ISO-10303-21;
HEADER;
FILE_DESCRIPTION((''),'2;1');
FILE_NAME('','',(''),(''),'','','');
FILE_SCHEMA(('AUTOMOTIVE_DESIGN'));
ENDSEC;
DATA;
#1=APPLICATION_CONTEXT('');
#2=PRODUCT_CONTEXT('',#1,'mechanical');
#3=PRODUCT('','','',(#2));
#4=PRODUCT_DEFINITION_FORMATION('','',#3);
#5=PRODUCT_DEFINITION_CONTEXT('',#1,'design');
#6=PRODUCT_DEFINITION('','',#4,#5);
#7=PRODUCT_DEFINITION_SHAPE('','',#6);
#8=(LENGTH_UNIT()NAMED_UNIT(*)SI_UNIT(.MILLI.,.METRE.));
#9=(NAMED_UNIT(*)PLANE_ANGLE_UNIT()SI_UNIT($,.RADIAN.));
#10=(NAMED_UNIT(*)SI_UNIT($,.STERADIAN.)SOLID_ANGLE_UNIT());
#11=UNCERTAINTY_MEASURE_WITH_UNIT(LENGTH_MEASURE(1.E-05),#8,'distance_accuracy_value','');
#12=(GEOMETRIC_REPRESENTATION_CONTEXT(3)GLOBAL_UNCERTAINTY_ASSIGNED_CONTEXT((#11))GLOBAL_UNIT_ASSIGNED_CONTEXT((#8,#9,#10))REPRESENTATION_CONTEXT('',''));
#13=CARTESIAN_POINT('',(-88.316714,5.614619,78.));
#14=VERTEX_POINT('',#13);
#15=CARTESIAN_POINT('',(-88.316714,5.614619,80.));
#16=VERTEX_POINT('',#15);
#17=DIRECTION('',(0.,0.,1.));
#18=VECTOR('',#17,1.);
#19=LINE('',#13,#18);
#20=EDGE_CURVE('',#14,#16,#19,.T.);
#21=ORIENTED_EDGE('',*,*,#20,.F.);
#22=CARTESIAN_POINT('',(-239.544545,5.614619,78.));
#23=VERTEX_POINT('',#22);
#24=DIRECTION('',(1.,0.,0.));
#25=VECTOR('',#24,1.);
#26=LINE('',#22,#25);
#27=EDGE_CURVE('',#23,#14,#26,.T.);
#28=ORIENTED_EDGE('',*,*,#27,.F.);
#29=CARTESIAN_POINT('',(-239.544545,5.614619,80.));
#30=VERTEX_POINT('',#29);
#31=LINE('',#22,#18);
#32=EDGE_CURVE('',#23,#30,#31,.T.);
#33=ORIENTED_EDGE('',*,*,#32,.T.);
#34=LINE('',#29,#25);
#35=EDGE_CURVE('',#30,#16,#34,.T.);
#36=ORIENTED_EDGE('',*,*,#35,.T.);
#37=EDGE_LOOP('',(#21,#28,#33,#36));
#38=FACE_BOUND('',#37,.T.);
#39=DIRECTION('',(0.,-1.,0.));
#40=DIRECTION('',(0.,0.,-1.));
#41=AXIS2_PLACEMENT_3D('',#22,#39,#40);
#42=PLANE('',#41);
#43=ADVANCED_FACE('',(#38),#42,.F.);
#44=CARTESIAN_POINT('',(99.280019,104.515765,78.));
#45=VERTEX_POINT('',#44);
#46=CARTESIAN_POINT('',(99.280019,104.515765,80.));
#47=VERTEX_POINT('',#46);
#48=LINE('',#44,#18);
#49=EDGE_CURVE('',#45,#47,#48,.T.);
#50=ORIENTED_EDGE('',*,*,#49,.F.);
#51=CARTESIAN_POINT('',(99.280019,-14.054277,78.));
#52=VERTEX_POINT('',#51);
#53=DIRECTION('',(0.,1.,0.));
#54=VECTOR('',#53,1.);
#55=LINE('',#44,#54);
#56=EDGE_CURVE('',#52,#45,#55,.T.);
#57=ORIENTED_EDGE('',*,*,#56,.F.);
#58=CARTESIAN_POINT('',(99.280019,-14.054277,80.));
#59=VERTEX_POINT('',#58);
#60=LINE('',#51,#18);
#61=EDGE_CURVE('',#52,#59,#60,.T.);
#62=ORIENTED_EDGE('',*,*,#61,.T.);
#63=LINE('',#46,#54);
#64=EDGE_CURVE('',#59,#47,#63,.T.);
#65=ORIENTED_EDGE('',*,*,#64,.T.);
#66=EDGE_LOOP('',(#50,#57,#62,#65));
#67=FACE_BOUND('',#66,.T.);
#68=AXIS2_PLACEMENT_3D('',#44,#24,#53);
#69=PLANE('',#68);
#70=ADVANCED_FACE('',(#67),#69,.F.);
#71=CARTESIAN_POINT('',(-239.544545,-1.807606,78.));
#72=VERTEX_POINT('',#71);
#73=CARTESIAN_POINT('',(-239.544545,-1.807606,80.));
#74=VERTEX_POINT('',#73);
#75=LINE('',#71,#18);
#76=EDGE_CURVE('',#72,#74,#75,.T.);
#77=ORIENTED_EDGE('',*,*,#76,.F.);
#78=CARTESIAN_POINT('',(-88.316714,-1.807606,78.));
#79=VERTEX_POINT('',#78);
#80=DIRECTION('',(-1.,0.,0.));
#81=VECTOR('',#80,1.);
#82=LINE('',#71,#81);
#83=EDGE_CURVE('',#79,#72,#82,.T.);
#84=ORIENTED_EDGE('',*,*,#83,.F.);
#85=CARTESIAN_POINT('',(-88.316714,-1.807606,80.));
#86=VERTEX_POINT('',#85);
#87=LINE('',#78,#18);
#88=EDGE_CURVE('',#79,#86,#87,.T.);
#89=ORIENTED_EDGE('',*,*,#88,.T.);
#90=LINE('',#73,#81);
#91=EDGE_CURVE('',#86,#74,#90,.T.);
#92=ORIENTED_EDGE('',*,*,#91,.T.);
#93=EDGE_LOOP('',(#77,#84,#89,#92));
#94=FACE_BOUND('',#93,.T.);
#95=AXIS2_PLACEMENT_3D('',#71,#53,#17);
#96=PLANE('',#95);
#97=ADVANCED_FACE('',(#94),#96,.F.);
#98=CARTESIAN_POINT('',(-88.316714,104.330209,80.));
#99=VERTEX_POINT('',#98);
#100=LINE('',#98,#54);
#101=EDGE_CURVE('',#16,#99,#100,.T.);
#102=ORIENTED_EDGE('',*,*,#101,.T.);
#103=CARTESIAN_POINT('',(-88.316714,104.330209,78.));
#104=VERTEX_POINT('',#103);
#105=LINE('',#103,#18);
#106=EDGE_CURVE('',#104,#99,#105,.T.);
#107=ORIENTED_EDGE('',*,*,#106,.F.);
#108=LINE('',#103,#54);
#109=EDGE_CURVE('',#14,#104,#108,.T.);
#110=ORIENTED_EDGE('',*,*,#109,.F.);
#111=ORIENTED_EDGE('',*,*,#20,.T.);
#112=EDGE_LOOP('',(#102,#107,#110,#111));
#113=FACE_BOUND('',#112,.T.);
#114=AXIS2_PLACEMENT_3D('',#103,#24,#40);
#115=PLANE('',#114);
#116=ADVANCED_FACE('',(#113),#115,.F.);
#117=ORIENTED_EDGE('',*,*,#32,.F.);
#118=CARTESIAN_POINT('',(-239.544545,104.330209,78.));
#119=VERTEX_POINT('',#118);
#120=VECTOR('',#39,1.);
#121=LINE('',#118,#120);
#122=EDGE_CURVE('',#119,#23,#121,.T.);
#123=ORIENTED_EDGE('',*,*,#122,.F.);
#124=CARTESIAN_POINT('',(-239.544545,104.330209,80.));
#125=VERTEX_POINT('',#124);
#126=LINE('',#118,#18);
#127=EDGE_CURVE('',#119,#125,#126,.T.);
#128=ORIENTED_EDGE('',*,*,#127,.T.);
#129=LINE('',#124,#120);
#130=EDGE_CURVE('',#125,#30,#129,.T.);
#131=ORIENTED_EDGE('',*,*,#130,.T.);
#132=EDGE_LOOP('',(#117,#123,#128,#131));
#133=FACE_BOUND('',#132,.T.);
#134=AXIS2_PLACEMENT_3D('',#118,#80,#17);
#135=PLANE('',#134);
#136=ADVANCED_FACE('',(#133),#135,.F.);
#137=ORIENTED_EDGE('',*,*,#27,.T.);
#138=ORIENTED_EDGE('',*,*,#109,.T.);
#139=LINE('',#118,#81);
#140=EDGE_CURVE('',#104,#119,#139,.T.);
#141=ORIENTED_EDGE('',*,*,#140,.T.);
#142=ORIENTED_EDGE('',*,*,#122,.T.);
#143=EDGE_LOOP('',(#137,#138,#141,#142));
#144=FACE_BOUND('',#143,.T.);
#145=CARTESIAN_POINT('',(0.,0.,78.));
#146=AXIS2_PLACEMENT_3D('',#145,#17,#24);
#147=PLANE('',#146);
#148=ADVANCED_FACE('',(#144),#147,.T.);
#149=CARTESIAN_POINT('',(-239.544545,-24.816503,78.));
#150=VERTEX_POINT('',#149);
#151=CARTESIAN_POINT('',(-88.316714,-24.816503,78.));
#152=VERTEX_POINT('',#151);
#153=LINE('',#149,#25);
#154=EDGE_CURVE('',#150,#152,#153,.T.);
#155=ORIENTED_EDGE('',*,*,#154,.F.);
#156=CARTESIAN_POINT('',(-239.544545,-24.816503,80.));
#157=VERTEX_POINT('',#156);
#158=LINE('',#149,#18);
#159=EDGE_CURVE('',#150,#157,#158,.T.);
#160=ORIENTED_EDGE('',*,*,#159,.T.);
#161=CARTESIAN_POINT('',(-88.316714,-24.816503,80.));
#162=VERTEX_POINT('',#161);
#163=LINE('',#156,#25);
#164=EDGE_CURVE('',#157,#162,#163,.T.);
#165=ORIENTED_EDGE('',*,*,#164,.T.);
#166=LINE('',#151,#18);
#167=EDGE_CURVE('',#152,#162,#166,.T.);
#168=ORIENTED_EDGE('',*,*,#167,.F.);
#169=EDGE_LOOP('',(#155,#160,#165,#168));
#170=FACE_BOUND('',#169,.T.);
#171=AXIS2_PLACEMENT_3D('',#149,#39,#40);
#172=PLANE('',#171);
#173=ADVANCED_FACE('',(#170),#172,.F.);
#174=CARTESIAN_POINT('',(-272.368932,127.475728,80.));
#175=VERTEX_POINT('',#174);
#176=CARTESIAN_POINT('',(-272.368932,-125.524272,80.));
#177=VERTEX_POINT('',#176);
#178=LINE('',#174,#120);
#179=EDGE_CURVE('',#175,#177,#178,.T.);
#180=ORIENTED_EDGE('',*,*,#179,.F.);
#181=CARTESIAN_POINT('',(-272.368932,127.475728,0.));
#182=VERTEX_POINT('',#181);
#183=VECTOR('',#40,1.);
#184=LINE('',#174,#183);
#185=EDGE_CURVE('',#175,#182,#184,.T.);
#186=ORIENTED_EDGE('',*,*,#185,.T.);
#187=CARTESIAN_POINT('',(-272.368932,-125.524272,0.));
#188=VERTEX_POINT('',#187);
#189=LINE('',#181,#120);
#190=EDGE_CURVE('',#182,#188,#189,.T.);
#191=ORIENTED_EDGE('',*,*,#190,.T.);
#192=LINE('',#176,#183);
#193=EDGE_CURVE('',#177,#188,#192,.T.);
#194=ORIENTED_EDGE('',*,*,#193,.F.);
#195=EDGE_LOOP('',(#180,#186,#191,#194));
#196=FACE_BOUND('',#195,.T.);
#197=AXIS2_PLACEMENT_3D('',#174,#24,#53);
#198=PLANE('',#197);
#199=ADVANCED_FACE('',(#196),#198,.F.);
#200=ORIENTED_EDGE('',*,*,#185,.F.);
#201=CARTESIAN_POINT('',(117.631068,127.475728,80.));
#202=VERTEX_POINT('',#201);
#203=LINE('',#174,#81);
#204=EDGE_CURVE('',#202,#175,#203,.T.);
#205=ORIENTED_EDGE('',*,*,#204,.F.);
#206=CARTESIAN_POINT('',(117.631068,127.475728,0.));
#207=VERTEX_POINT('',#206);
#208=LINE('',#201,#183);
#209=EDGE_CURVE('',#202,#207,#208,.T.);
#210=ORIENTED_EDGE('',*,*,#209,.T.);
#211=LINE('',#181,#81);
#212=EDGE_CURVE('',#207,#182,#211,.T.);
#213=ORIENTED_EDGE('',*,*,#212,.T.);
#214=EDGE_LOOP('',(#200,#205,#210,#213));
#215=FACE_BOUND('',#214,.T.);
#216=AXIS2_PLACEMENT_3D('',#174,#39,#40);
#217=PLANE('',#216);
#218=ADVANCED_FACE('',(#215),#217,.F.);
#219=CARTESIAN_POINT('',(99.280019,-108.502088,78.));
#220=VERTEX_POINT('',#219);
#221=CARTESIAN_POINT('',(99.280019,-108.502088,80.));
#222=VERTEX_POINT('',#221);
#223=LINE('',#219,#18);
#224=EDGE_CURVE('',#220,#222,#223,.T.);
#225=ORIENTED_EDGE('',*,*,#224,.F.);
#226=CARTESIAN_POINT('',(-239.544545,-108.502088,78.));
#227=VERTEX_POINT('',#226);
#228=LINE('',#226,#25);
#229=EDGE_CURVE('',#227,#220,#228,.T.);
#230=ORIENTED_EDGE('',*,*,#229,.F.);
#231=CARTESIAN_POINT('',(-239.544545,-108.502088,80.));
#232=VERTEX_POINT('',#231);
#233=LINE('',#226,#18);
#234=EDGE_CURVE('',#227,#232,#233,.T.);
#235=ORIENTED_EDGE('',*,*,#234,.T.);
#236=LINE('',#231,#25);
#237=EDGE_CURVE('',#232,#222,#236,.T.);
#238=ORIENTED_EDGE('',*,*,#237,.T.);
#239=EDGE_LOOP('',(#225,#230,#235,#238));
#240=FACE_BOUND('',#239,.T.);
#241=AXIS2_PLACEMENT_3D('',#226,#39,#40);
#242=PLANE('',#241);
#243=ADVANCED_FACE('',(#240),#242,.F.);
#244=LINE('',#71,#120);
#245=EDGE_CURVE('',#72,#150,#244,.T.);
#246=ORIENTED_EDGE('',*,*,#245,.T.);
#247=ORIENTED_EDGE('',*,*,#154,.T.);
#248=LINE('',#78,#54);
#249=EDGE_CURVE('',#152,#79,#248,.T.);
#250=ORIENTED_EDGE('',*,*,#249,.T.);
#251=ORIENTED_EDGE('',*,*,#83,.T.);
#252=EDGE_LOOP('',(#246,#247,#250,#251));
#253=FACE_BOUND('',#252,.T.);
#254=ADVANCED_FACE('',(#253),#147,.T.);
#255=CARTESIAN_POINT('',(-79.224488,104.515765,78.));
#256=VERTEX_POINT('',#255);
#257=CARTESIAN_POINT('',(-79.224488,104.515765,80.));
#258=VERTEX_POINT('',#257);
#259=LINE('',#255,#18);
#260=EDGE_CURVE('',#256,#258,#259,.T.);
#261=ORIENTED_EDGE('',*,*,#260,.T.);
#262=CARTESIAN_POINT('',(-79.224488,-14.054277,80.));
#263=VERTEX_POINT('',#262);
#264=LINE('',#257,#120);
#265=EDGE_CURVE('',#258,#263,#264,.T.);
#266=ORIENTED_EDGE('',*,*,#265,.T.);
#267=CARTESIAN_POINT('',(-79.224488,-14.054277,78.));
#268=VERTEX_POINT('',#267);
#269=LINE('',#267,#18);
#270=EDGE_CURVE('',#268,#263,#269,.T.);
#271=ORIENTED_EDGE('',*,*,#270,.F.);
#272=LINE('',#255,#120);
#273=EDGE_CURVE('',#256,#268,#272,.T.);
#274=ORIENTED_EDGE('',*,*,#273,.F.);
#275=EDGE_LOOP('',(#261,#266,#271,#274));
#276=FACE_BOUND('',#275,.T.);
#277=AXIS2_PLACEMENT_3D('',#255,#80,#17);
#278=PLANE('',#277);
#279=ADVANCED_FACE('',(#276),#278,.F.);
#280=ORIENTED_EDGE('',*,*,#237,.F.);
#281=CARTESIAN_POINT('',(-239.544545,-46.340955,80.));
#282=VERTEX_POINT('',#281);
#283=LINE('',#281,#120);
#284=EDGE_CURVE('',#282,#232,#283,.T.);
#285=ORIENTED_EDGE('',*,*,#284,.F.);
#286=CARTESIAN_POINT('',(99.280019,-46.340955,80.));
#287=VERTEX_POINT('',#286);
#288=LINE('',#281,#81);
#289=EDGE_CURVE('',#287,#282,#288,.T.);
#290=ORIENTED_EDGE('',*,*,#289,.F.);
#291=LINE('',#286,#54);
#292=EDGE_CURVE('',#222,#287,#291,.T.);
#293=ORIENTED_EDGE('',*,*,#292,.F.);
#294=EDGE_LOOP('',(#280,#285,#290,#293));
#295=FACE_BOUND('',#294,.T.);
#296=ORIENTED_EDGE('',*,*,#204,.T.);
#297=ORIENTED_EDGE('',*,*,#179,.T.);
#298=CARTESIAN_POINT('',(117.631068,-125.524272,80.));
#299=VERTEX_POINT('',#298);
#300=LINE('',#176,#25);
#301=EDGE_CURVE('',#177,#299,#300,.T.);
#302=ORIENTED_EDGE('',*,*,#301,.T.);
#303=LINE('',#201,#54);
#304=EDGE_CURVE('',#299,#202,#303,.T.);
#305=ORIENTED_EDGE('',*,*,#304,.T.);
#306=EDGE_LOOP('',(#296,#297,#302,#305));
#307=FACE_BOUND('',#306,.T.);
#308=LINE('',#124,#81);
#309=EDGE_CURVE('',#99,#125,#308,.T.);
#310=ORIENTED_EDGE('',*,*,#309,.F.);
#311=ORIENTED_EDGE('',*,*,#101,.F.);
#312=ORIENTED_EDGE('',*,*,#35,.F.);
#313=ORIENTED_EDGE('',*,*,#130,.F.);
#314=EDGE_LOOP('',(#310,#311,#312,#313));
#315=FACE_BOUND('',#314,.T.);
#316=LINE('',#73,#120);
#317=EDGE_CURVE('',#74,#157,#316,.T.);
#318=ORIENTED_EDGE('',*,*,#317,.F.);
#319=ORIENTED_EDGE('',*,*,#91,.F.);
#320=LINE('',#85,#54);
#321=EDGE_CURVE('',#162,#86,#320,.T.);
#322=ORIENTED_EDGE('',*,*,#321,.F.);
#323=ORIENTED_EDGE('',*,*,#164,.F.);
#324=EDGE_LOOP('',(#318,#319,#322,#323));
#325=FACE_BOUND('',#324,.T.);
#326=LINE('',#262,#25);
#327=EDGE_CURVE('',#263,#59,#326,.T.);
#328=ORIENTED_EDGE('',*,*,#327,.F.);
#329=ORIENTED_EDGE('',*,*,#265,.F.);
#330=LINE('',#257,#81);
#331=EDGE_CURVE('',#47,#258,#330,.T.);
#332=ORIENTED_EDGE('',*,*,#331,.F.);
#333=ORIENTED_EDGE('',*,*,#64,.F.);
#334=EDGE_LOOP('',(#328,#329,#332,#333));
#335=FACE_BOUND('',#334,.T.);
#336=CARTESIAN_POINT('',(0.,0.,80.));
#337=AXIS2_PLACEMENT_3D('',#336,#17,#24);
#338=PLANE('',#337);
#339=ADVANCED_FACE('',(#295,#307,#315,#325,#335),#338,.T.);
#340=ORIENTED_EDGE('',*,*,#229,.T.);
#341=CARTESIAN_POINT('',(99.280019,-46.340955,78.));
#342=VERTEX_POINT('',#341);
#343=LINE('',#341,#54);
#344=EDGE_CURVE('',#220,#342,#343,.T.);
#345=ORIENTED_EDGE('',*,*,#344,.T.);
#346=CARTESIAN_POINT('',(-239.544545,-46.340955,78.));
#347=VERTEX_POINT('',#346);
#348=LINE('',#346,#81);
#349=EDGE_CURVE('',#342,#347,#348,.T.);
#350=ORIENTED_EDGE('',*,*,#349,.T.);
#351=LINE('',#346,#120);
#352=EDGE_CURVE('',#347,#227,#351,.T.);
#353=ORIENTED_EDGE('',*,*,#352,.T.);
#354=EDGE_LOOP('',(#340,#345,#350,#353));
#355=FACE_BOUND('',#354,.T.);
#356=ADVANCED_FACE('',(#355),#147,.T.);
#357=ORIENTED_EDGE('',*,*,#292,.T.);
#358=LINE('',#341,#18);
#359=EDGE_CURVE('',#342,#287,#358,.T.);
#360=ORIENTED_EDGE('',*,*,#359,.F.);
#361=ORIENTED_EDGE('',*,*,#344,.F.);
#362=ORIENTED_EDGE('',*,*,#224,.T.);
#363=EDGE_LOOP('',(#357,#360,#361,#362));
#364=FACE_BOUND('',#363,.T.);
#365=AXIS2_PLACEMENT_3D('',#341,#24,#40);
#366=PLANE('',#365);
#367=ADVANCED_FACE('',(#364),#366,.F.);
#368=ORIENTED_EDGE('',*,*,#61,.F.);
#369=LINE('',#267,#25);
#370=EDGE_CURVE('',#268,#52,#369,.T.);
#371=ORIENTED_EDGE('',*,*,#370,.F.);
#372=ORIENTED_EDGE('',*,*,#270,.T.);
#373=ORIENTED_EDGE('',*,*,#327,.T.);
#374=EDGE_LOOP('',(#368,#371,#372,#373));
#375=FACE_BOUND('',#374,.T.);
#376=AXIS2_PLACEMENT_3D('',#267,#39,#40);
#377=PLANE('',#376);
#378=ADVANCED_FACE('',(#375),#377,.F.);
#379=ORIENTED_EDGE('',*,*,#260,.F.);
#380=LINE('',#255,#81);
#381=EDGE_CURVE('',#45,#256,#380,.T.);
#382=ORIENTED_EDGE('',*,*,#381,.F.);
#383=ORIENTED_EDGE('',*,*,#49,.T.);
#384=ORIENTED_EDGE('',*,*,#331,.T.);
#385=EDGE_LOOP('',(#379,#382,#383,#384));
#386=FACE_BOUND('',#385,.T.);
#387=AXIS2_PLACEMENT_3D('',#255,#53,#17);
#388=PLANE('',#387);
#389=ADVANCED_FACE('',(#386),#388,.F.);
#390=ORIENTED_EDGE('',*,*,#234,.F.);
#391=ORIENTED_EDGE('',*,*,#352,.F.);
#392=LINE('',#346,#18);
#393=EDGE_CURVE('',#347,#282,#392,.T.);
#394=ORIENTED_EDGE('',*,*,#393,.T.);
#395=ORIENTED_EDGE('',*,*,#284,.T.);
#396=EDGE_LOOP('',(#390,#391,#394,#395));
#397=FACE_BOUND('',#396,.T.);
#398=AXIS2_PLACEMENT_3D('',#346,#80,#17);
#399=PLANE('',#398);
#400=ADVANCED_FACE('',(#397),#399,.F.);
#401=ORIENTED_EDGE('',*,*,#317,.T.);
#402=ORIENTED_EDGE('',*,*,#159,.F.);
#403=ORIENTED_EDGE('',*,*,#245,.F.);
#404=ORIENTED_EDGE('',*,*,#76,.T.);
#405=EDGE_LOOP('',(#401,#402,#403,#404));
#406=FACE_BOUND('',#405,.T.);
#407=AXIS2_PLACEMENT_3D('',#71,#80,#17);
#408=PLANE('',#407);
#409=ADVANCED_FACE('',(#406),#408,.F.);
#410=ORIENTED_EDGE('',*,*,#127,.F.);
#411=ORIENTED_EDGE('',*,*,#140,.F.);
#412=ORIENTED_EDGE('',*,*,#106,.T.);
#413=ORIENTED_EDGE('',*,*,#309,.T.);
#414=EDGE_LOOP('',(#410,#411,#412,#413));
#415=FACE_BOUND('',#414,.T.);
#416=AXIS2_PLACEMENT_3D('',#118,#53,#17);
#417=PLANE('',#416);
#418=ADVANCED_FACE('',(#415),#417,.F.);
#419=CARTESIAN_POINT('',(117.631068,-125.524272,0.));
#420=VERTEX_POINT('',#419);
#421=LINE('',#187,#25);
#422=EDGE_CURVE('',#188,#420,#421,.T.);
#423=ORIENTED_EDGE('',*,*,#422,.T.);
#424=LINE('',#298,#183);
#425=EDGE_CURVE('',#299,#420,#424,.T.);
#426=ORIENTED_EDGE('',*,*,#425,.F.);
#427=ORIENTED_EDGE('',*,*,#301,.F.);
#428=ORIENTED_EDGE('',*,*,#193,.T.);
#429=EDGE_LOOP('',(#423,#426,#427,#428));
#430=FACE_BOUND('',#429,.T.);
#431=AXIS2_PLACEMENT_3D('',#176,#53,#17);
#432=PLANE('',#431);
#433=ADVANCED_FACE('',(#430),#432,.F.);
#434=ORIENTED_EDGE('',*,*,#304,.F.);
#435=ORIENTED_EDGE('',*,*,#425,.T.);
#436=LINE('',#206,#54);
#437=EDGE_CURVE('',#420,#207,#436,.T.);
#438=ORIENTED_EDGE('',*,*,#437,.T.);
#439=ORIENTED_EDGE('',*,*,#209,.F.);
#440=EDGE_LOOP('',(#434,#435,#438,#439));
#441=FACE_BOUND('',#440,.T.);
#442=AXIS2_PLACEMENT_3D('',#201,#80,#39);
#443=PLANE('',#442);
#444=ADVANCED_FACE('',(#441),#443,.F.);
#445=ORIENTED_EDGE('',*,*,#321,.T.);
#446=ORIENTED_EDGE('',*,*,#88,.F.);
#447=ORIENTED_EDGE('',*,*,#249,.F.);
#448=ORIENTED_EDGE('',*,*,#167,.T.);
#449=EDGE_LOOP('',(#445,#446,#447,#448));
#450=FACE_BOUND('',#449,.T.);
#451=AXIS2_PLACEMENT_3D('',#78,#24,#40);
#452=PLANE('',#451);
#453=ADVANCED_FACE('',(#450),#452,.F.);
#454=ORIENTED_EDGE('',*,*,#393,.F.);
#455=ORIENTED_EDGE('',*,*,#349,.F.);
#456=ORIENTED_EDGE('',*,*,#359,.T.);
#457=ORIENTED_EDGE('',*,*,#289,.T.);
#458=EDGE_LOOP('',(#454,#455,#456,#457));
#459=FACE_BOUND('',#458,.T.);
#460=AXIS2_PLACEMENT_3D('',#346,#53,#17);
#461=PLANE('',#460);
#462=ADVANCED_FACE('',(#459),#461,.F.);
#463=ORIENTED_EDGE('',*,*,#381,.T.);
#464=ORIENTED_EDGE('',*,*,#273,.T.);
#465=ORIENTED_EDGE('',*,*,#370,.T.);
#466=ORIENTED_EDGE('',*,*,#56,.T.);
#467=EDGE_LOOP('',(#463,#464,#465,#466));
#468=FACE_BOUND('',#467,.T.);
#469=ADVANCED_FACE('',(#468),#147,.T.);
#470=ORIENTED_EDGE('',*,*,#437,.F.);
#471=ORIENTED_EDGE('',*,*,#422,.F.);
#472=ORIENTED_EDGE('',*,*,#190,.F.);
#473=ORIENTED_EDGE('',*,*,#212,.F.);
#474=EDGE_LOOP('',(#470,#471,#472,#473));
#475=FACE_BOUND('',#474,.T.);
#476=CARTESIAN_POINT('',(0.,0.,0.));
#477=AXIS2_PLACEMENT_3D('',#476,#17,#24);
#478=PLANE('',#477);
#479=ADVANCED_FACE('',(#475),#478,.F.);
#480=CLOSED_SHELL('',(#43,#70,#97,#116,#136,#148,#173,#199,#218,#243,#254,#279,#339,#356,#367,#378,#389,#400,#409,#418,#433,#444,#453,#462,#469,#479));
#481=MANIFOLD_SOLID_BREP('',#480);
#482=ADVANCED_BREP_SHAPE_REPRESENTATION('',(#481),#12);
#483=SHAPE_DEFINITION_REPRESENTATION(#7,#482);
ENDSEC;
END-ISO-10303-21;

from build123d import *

# Parameters (mm, degrees)
SKETCH1_W           = 390
SKETCH1_H           = 253
BOSS_EXTRUDE1_DEPTH = 80
SKETCH2_W           = 151.227830944
SKETCH2_H           = 98.71559026
SKETCH2_W_2         = 178.5045072
SKETCH2_H_2         = 118.570041685
SKETCH2_W_3         = 338.824563562
SKETCH2_H_3         = 62.161132964
SKETCH2_H_4         = 23.008896977
CUT_EXTRUDE1_DEPTH  = 2


with BuildPart() as part:
    # Sketch1 → Boss-Extrude1 (new body)
    with BuildSketch(Plane.XY):
        with Locations((-77.368932039, 0.975728155)):
            Rectangle(SKETCH1_W, SKETCH1_H)
    extrude(amount=BOSS_EXTRUDE1_DEPTH)

    # Sketch2 → Cut-Extrude1 (cut)
    with BuildSketch(Plane.XY.offset(80)):
        with Locations((-163.930629137, 54.972413805)):
            Rectangle(SKETCH2_W, SKETCH2_H)
        with Locations((10.027765353, 45.230743714)):
            Rectangle(SKETCH2_W_2, SKETCH2_H_2)
        with Locations((-70.132262828, -77.421521628)):
            Rectangle(SKETCH2_W_3, SKETCH2_H_3)
        with Locations((-163.930629137, -13.312054645)):
            Rectangle(SKETCH2_W, SKETCH2_H_4)
    extrude(amount=-CUT_EXTRUDE1_DEPTH, mode=Mode.SUBTRACT)


solid = part.part
